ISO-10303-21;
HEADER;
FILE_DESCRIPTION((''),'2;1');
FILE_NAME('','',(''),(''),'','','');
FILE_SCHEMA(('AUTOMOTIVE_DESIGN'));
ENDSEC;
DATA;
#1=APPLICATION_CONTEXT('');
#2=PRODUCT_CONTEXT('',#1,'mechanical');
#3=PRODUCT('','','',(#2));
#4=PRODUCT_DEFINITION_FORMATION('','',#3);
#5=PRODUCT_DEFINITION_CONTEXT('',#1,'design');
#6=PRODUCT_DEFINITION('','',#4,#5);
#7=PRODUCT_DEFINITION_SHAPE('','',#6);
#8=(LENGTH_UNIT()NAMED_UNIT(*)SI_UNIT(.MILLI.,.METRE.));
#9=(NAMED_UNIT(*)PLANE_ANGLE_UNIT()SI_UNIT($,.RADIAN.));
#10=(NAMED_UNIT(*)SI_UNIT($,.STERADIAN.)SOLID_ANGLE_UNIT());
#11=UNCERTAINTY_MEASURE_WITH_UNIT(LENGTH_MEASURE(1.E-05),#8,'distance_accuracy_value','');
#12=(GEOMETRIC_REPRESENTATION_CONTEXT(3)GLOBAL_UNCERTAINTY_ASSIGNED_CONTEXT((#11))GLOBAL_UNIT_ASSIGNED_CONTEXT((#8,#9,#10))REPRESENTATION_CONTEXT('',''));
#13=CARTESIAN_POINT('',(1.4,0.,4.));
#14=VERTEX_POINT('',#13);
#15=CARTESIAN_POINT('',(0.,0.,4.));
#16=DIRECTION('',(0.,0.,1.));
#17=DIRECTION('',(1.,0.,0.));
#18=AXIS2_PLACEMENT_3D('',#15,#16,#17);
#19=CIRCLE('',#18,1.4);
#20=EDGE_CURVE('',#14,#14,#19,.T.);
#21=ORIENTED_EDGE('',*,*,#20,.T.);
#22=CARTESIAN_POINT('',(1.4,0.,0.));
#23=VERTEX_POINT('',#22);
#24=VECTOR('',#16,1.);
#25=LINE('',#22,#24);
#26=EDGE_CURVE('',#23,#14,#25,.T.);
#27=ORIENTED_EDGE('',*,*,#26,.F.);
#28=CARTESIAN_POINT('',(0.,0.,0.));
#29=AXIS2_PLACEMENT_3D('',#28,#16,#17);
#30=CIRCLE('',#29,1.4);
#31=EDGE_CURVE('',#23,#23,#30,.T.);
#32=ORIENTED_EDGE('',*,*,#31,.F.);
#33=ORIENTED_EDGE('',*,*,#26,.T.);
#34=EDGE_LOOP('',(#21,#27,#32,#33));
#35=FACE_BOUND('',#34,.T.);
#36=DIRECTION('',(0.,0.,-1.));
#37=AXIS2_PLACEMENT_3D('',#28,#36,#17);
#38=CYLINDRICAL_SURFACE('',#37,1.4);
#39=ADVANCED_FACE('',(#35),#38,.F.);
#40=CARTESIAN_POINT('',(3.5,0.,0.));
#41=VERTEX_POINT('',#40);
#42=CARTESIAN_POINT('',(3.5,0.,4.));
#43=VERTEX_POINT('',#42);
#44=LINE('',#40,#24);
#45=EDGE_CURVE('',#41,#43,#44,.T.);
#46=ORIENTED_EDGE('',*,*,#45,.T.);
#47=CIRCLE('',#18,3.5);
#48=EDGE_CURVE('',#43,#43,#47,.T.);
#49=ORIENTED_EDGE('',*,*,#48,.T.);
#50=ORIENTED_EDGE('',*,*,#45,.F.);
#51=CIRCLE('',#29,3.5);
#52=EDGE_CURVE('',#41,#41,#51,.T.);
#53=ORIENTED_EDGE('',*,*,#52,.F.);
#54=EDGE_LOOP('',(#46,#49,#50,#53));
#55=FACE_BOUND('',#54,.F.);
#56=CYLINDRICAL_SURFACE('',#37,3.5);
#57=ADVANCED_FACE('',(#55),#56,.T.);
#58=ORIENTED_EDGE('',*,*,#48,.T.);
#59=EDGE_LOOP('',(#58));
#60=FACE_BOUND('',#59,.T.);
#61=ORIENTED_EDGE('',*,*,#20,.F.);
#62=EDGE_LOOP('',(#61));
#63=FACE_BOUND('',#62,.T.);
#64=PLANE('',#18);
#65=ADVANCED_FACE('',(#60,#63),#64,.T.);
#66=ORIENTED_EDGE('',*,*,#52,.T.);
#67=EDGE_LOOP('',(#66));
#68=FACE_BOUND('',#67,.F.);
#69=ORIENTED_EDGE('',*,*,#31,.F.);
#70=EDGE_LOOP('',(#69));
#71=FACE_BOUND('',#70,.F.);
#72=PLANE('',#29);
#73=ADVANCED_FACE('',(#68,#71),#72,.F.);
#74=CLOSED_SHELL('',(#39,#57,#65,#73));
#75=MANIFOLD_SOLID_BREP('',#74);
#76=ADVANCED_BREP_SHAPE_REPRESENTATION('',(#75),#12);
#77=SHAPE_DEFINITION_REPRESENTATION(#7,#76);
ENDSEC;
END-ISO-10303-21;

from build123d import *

# Parameters (mm, degrees)
CYLINDER014_R     = 1.4
CYLINDER014_DEPTH = 4
CYLINDER015_R     = 3.5
CYLINDER015_DEPTH = 4


with BuildPart() as cylinder014:
    # Cylinder014 → Cylinder014 (new body)
    with BuildSketch(Plane.XY):
        Circle(CYLINDER014_R)
    extrude(amount=CYLINDER014_DEPTH)


with BuildPart() as m2p5_spacer:
    # Cylinder015 → Cylinder015 (new body)
    with BuildSketch(Plane.XY):
        Circle(CYLINDER015_R)
    extrude(amount=CYLINDER015_DEPTH)

    # Cut011: cut Cylinder014
    add(cylinder014.part, mode=Mode.SUBTRACT)


solid = m2p5_spacer.part
